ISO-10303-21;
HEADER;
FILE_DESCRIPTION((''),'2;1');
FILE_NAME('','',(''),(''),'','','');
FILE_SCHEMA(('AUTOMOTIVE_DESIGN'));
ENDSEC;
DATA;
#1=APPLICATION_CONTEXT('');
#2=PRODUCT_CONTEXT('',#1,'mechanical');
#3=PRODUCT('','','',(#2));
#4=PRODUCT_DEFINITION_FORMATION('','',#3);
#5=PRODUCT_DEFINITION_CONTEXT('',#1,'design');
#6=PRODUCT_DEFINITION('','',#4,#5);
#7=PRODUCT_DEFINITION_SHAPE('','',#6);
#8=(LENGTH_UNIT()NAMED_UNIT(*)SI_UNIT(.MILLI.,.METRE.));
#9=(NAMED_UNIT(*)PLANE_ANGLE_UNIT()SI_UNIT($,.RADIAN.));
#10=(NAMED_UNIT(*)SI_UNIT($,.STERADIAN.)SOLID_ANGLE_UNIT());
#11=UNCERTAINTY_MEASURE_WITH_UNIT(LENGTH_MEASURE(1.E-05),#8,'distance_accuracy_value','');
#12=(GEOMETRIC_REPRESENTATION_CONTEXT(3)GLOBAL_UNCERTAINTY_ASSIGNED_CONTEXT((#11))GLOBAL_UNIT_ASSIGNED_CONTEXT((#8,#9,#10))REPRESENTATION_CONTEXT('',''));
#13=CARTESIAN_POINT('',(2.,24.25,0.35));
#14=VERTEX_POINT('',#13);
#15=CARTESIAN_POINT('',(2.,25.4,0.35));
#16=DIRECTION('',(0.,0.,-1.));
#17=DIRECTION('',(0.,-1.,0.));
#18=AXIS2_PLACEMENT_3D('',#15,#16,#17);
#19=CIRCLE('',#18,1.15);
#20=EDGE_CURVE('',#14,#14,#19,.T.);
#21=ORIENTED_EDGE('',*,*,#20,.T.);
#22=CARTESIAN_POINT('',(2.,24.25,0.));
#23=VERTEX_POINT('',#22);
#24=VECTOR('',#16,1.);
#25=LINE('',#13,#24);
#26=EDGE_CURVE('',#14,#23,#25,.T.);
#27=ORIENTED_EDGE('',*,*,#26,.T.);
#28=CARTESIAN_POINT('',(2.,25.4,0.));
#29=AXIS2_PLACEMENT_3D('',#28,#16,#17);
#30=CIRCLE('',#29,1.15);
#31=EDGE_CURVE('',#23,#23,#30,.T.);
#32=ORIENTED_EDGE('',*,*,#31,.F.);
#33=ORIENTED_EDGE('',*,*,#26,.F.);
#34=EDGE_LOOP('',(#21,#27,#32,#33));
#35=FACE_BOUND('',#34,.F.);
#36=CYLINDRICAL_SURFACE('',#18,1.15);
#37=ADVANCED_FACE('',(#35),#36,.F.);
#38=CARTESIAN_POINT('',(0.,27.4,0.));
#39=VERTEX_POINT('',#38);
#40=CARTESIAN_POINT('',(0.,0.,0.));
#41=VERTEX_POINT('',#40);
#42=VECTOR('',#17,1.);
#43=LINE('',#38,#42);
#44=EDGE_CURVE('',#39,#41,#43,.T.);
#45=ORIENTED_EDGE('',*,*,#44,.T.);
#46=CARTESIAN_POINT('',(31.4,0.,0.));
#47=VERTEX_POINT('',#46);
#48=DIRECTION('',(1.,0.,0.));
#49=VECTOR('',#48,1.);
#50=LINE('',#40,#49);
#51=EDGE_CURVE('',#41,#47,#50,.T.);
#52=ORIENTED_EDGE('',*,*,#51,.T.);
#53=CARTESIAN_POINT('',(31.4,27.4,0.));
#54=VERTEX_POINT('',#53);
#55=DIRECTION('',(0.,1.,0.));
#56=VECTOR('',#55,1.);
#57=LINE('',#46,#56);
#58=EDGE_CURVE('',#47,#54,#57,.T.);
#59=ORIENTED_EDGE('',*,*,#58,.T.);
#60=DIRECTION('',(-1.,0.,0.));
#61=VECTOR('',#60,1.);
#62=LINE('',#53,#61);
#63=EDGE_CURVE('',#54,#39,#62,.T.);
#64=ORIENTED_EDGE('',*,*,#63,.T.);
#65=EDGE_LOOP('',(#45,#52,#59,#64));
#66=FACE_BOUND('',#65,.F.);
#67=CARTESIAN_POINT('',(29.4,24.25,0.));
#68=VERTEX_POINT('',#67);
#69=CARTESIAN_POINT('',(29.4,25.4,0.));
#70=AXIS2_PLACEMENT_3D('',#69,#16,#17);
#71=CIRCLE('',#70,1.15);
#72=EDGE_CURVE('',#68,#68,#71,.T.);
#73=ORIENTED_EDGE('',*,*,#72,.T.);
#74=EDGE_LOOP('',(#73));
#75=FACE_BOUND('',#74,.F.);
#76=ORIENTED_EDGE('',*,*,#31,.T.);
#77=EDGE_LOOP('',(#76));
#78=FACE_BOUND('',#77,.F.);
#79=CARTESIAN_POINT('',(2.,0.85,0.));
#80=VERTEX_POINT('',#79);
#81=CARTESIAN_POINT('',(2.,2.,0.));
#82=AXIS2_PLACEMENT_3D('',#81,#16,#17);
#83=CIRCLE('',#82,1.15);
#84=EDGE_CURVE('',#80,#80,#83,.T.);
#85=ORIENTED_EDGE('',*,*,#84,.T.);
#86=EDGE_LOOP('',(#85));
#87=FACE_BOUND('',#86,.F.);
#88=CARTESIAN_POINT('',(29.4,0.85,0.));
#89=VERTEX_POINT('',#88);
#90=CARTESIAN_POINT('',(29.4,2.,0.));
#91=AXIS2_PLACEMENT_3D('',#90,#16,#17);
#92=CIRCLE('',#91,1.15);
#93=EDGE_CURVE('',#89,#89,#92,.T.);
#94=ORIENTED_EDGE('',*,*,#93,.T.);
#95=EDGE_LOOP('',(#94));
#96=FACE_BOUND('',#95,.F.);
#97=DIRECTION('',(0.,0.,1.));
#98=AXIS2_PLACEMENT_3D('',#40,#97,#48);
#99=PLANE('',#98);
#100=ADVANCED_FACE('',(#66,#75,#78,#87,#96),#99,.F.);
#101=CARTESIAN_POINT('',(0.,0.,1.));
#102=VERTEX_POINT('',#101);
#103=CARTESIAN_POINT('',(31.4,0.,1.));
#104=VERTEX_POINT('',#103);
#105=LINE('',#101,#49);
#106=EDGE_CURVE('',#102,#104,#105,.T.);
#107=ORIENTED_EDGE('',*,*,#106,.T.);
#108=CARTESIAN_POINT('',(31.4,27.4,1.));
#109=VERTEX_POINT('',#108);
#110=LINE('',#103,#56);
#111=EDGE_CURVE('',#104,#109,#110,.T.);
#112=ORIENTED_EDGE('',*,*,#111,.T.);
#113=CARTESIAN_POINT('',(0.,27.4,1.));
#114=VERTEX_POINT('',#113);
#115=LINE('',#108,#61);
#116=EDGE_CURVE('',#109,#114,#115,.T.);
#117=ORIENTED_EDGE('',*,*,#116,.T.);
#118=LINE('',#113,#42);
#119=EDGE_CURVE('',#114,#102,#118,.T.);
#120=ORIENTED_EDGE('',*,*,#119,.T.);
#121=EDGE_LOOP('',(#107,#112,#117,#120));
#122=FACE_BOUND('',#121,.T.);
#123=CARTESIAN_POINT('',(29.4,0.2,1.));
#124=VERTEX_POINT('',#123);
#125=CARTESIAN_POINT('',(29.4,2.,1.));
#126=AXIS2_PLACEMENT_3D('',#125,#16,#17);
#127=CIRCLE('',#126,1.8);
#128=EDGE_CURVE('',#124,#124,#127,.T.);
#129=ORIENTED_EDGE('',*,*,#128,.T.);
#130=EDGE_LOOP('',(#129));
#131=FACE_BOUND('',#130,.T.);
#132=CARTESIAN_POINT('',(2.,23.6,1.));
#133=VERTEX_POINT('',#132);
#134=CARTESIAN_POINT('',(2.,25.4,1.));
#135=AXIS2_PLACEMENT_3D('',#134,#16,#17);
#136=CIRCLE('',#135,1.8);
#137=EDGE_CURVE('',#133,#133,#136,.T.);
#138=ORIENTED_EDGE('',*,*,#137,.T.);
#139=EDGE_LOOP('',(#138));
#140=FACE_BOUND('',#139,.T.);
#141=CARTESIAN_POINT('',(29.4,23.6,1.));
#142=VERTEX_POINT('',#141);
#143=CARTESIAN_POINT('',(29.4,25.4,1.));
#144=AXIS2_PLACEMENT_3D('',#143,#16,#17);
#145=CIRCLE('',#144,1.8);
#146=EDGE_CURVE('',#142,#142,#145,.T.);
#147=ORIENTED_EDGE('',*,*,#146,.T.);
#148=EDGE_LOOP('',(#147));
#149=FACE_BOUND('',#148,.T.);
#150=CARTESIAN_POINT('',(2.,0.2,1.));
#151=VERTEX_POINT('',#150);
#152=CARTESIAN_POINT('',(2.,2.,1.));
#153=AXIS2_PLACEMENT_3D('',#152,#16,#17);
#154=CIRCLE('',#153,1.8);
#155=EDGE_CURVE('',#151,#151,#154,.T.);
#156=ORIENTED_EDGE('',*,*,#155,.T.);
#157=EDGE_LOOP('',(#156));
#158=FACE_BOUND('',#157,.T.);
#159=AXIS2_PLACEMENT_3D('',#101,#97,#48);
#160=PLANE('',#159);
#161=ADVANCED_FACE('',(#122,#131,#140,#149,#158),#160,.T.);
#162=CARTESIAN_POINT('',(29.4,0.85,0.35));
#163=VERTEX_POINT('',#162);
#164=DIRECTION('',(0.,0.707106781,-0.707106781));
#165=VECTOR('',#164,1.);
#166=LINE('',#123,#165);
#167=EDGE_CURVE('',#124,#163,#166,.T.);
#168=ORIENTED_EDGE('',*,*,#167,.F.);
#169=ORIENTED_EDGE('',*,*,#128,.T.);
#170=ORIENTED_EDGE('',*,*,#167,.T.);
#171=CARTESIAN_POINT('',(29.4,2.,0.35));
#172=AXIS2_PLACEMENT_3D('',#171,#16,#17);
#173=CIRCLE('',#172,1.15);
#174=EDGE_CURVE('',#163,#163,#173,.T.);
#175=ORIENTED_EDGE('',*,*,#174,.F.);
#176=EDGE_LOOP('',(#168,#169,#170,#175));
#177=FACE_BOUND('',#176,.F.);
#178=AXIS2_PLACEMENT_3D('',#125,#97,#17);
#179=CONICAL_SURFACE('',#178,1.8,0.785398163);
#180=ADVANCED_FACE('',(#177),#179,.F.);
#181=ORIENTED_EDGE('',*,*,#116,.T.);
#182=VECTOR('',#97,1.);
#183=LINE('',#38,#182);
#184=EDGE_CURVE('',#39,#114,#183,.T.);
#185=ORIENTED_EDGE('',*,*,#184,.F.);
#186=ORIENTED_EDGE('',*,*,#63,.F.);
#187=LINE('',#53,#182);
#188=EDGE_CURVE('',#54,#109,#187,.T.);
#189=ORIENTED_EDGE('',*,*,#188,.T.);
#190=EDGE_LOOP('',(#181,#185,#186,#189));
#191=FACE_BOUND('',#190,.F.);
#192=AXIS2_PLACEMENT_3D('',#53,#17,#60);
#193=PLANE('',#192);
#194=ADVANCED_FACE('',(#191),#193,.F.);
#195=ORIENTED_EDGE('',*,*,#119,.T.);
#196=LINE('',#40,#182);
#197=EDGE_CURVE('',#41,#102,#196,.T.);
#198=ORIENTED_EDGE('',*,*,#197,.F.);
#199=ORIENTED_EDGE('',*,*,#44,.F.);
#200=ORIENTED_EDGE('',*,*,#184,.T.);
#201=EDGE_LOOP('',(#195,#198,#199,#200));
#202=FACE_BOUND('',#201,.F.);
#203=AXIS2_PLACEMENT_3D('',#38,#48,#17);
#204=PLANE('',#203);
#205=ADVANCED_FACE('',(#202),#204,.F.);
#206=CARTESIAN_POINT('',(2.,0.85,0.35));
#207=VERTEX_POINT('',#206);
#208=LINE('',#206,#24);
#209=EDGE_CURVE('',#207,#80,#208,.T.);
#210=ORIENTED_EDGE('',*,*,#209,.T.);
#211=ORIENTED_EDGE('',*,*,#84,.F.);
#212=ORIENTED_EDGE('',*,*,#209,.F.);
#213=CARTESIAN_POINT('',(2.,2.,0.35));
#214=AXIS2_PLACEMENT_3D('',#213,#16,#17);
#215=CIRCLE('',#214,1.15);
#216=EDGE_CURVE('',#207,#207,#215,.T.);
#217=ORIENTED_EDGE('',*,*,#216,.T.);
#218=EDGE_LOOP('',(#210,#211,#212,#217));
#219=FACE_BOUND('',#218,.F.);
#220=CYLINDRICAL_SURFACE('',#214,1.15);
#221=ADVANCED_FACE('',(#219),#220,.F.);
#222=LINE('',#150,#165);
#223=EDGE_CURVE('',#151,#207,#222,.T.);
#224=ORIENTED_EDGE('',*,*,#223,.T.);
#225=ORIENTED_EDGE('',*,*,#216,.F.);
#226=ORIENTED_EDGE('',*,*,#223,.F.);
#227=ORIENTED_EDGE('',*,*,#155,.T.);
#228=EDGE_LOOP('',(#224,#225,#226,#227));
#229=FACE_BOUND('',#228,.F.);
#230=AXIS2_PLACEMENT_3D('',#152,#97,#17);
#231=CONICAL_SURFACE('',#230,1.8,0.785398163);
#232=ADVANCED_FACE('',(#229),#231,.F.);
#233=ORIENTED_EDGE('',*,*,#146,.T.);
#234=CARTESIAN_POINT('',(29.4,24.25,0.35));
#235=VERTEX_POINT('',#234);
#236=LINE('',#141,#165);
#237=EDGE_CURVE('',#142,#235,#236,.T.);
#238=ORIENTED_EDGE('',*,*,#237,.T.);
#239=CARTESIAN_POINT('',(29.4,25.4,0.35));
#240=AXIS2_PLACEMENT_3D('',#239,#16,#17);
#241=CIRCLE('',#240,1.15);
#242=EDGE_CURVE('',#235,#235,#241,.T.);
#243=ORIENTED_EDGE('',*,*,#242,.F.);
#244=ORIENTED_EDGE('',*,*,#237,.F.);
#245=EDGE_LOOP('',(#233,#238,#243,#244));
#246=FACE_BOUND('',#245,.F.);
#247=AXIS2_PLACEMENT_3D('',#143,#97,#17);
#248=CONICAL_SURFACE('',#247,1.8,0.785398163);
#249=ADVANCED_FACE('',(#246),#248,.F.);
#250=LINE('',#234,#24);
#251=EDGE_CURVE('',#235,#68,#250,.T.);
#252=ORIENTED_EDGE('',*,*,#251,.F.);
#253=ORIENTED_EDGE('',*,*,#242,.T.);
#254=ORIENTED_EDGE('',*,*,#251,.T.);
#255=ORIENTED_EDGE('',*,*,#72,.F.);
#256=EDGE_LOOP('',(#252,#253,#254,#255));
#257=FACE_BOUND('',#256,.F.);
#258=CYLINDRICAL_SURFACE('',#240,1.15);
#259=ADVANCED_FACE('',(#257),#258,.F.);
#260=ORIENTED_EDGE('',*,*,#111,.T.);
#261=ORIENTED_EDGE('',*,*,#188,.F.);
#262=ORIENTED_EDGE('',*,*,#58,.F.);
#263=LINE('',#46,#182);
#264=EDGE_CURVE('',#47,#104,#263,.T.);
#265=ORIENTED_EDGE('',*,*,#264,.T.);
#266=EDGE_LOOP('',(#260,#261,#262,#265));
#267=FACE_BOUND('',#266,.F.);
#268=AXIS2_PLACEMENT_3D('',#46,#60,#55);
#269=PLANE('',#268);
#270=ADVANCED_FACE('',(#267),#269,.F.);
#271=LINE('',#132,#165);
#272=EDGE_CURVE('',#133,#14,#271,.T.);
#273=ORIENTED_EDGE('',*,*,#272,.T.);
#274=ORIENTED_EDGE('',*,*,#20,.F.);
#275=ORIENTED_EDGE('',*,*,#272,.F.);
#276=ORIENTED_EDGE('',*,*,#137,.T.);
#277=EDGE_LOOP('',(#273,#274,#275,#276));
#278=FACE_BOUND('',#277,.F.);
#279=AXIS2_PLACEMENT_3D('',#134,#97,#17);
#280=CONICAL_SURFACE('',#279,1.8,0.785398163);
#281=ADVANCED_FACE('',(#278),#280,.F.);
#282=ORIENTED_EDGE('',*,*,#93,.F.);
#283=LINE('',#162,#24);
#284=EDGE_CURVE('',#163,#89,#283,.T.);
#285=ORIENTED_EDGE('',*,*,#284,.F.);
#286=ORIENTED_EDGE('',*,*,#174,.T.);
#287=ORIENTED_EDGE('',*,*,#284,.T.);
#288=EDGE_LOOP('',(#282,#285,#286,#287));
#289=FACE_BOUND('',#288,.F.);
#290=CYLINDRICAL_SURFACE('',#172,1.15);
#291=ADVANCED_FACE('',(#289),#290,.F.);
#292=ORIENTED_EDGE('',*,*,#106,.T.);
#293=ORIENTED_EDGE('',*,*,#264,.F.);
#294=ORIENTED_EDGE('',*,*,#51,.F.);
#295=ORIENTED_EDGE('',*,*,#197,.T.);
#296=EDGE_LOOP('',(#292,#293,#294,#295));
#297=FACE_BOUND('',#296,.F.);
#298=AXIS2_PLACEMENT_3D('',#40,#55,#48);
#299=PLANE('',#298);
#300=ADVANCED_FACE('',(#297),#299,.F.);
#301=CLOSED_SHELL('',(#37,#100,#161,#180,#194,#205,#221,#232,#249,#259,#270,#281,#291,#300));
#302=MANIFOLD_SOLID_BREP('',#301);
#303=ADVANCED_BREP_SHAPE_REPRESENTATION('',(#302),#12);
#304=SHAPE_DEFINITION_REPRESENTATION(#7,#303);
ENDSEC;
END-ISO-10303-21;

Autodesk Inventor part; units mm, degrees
ref_plane "YZ Plane" through (0, 0, 0) normal (1, 0, 0) x (0, 1, 0)
ref_plane "XZ Plane" through (0, 0, 0) normal (0, 1, 0) x (-1, 0, 0)
ref_plane "XY Plane" through (0, 0, 0) normal (0, 0, 1) x (1, 0, 0)
sketch "Sketch1" plane through (0, 0, 0) normal (0, 0, 1) x (1, 0, 0)
  line L0 (0, 0) -> (31.4, 0)
  line L1 (31.4, 0) -> (31.4, 27.4)
  line L2 (31.4, 27.4) -> (0, 27.4)
  line L3 (0, 27.4) -> (0, 0)
  dimension "d0" = 31.4
  dimension "d1" = 27.4
extrude "Extrusion1" add sketch "Sketch1" along normal blind 1
sketch "Sketch17" plane through (0, 0, 1) normal (0, 0, 1) x (1, 0, 0)
  line L0 (2, 25.4) -> (29.4, 25.4) construction
  line L1 (29.4, 25.4) -> (29.4, 2) construction
  line L2 (29.4, 2) -> (2, 2) construction
  line L3 (2, 2) -> (2, 25.4) construction
  line L4 (0, 0) -> (0, 27.4) construction
  line L5 (0, 27.4) -> (31.4, 27.4) construction
  dimension "d169" = 27.4
  dimension "d170" = 23.4
  dimension "d171" = 2
  dimension "d172" = 2
hole "Hole16" at (2, 25.4, 1) at (29.4, 25.4, 1) at (29.4, 2, 1) at (2, 2, 1) direction (0, 0, -1) diameter 2.3 end through all countersink diameter 3.6 countersink angle 90
properties part number "Mixer IQ Box ND20" material "Aluminum-6061"
